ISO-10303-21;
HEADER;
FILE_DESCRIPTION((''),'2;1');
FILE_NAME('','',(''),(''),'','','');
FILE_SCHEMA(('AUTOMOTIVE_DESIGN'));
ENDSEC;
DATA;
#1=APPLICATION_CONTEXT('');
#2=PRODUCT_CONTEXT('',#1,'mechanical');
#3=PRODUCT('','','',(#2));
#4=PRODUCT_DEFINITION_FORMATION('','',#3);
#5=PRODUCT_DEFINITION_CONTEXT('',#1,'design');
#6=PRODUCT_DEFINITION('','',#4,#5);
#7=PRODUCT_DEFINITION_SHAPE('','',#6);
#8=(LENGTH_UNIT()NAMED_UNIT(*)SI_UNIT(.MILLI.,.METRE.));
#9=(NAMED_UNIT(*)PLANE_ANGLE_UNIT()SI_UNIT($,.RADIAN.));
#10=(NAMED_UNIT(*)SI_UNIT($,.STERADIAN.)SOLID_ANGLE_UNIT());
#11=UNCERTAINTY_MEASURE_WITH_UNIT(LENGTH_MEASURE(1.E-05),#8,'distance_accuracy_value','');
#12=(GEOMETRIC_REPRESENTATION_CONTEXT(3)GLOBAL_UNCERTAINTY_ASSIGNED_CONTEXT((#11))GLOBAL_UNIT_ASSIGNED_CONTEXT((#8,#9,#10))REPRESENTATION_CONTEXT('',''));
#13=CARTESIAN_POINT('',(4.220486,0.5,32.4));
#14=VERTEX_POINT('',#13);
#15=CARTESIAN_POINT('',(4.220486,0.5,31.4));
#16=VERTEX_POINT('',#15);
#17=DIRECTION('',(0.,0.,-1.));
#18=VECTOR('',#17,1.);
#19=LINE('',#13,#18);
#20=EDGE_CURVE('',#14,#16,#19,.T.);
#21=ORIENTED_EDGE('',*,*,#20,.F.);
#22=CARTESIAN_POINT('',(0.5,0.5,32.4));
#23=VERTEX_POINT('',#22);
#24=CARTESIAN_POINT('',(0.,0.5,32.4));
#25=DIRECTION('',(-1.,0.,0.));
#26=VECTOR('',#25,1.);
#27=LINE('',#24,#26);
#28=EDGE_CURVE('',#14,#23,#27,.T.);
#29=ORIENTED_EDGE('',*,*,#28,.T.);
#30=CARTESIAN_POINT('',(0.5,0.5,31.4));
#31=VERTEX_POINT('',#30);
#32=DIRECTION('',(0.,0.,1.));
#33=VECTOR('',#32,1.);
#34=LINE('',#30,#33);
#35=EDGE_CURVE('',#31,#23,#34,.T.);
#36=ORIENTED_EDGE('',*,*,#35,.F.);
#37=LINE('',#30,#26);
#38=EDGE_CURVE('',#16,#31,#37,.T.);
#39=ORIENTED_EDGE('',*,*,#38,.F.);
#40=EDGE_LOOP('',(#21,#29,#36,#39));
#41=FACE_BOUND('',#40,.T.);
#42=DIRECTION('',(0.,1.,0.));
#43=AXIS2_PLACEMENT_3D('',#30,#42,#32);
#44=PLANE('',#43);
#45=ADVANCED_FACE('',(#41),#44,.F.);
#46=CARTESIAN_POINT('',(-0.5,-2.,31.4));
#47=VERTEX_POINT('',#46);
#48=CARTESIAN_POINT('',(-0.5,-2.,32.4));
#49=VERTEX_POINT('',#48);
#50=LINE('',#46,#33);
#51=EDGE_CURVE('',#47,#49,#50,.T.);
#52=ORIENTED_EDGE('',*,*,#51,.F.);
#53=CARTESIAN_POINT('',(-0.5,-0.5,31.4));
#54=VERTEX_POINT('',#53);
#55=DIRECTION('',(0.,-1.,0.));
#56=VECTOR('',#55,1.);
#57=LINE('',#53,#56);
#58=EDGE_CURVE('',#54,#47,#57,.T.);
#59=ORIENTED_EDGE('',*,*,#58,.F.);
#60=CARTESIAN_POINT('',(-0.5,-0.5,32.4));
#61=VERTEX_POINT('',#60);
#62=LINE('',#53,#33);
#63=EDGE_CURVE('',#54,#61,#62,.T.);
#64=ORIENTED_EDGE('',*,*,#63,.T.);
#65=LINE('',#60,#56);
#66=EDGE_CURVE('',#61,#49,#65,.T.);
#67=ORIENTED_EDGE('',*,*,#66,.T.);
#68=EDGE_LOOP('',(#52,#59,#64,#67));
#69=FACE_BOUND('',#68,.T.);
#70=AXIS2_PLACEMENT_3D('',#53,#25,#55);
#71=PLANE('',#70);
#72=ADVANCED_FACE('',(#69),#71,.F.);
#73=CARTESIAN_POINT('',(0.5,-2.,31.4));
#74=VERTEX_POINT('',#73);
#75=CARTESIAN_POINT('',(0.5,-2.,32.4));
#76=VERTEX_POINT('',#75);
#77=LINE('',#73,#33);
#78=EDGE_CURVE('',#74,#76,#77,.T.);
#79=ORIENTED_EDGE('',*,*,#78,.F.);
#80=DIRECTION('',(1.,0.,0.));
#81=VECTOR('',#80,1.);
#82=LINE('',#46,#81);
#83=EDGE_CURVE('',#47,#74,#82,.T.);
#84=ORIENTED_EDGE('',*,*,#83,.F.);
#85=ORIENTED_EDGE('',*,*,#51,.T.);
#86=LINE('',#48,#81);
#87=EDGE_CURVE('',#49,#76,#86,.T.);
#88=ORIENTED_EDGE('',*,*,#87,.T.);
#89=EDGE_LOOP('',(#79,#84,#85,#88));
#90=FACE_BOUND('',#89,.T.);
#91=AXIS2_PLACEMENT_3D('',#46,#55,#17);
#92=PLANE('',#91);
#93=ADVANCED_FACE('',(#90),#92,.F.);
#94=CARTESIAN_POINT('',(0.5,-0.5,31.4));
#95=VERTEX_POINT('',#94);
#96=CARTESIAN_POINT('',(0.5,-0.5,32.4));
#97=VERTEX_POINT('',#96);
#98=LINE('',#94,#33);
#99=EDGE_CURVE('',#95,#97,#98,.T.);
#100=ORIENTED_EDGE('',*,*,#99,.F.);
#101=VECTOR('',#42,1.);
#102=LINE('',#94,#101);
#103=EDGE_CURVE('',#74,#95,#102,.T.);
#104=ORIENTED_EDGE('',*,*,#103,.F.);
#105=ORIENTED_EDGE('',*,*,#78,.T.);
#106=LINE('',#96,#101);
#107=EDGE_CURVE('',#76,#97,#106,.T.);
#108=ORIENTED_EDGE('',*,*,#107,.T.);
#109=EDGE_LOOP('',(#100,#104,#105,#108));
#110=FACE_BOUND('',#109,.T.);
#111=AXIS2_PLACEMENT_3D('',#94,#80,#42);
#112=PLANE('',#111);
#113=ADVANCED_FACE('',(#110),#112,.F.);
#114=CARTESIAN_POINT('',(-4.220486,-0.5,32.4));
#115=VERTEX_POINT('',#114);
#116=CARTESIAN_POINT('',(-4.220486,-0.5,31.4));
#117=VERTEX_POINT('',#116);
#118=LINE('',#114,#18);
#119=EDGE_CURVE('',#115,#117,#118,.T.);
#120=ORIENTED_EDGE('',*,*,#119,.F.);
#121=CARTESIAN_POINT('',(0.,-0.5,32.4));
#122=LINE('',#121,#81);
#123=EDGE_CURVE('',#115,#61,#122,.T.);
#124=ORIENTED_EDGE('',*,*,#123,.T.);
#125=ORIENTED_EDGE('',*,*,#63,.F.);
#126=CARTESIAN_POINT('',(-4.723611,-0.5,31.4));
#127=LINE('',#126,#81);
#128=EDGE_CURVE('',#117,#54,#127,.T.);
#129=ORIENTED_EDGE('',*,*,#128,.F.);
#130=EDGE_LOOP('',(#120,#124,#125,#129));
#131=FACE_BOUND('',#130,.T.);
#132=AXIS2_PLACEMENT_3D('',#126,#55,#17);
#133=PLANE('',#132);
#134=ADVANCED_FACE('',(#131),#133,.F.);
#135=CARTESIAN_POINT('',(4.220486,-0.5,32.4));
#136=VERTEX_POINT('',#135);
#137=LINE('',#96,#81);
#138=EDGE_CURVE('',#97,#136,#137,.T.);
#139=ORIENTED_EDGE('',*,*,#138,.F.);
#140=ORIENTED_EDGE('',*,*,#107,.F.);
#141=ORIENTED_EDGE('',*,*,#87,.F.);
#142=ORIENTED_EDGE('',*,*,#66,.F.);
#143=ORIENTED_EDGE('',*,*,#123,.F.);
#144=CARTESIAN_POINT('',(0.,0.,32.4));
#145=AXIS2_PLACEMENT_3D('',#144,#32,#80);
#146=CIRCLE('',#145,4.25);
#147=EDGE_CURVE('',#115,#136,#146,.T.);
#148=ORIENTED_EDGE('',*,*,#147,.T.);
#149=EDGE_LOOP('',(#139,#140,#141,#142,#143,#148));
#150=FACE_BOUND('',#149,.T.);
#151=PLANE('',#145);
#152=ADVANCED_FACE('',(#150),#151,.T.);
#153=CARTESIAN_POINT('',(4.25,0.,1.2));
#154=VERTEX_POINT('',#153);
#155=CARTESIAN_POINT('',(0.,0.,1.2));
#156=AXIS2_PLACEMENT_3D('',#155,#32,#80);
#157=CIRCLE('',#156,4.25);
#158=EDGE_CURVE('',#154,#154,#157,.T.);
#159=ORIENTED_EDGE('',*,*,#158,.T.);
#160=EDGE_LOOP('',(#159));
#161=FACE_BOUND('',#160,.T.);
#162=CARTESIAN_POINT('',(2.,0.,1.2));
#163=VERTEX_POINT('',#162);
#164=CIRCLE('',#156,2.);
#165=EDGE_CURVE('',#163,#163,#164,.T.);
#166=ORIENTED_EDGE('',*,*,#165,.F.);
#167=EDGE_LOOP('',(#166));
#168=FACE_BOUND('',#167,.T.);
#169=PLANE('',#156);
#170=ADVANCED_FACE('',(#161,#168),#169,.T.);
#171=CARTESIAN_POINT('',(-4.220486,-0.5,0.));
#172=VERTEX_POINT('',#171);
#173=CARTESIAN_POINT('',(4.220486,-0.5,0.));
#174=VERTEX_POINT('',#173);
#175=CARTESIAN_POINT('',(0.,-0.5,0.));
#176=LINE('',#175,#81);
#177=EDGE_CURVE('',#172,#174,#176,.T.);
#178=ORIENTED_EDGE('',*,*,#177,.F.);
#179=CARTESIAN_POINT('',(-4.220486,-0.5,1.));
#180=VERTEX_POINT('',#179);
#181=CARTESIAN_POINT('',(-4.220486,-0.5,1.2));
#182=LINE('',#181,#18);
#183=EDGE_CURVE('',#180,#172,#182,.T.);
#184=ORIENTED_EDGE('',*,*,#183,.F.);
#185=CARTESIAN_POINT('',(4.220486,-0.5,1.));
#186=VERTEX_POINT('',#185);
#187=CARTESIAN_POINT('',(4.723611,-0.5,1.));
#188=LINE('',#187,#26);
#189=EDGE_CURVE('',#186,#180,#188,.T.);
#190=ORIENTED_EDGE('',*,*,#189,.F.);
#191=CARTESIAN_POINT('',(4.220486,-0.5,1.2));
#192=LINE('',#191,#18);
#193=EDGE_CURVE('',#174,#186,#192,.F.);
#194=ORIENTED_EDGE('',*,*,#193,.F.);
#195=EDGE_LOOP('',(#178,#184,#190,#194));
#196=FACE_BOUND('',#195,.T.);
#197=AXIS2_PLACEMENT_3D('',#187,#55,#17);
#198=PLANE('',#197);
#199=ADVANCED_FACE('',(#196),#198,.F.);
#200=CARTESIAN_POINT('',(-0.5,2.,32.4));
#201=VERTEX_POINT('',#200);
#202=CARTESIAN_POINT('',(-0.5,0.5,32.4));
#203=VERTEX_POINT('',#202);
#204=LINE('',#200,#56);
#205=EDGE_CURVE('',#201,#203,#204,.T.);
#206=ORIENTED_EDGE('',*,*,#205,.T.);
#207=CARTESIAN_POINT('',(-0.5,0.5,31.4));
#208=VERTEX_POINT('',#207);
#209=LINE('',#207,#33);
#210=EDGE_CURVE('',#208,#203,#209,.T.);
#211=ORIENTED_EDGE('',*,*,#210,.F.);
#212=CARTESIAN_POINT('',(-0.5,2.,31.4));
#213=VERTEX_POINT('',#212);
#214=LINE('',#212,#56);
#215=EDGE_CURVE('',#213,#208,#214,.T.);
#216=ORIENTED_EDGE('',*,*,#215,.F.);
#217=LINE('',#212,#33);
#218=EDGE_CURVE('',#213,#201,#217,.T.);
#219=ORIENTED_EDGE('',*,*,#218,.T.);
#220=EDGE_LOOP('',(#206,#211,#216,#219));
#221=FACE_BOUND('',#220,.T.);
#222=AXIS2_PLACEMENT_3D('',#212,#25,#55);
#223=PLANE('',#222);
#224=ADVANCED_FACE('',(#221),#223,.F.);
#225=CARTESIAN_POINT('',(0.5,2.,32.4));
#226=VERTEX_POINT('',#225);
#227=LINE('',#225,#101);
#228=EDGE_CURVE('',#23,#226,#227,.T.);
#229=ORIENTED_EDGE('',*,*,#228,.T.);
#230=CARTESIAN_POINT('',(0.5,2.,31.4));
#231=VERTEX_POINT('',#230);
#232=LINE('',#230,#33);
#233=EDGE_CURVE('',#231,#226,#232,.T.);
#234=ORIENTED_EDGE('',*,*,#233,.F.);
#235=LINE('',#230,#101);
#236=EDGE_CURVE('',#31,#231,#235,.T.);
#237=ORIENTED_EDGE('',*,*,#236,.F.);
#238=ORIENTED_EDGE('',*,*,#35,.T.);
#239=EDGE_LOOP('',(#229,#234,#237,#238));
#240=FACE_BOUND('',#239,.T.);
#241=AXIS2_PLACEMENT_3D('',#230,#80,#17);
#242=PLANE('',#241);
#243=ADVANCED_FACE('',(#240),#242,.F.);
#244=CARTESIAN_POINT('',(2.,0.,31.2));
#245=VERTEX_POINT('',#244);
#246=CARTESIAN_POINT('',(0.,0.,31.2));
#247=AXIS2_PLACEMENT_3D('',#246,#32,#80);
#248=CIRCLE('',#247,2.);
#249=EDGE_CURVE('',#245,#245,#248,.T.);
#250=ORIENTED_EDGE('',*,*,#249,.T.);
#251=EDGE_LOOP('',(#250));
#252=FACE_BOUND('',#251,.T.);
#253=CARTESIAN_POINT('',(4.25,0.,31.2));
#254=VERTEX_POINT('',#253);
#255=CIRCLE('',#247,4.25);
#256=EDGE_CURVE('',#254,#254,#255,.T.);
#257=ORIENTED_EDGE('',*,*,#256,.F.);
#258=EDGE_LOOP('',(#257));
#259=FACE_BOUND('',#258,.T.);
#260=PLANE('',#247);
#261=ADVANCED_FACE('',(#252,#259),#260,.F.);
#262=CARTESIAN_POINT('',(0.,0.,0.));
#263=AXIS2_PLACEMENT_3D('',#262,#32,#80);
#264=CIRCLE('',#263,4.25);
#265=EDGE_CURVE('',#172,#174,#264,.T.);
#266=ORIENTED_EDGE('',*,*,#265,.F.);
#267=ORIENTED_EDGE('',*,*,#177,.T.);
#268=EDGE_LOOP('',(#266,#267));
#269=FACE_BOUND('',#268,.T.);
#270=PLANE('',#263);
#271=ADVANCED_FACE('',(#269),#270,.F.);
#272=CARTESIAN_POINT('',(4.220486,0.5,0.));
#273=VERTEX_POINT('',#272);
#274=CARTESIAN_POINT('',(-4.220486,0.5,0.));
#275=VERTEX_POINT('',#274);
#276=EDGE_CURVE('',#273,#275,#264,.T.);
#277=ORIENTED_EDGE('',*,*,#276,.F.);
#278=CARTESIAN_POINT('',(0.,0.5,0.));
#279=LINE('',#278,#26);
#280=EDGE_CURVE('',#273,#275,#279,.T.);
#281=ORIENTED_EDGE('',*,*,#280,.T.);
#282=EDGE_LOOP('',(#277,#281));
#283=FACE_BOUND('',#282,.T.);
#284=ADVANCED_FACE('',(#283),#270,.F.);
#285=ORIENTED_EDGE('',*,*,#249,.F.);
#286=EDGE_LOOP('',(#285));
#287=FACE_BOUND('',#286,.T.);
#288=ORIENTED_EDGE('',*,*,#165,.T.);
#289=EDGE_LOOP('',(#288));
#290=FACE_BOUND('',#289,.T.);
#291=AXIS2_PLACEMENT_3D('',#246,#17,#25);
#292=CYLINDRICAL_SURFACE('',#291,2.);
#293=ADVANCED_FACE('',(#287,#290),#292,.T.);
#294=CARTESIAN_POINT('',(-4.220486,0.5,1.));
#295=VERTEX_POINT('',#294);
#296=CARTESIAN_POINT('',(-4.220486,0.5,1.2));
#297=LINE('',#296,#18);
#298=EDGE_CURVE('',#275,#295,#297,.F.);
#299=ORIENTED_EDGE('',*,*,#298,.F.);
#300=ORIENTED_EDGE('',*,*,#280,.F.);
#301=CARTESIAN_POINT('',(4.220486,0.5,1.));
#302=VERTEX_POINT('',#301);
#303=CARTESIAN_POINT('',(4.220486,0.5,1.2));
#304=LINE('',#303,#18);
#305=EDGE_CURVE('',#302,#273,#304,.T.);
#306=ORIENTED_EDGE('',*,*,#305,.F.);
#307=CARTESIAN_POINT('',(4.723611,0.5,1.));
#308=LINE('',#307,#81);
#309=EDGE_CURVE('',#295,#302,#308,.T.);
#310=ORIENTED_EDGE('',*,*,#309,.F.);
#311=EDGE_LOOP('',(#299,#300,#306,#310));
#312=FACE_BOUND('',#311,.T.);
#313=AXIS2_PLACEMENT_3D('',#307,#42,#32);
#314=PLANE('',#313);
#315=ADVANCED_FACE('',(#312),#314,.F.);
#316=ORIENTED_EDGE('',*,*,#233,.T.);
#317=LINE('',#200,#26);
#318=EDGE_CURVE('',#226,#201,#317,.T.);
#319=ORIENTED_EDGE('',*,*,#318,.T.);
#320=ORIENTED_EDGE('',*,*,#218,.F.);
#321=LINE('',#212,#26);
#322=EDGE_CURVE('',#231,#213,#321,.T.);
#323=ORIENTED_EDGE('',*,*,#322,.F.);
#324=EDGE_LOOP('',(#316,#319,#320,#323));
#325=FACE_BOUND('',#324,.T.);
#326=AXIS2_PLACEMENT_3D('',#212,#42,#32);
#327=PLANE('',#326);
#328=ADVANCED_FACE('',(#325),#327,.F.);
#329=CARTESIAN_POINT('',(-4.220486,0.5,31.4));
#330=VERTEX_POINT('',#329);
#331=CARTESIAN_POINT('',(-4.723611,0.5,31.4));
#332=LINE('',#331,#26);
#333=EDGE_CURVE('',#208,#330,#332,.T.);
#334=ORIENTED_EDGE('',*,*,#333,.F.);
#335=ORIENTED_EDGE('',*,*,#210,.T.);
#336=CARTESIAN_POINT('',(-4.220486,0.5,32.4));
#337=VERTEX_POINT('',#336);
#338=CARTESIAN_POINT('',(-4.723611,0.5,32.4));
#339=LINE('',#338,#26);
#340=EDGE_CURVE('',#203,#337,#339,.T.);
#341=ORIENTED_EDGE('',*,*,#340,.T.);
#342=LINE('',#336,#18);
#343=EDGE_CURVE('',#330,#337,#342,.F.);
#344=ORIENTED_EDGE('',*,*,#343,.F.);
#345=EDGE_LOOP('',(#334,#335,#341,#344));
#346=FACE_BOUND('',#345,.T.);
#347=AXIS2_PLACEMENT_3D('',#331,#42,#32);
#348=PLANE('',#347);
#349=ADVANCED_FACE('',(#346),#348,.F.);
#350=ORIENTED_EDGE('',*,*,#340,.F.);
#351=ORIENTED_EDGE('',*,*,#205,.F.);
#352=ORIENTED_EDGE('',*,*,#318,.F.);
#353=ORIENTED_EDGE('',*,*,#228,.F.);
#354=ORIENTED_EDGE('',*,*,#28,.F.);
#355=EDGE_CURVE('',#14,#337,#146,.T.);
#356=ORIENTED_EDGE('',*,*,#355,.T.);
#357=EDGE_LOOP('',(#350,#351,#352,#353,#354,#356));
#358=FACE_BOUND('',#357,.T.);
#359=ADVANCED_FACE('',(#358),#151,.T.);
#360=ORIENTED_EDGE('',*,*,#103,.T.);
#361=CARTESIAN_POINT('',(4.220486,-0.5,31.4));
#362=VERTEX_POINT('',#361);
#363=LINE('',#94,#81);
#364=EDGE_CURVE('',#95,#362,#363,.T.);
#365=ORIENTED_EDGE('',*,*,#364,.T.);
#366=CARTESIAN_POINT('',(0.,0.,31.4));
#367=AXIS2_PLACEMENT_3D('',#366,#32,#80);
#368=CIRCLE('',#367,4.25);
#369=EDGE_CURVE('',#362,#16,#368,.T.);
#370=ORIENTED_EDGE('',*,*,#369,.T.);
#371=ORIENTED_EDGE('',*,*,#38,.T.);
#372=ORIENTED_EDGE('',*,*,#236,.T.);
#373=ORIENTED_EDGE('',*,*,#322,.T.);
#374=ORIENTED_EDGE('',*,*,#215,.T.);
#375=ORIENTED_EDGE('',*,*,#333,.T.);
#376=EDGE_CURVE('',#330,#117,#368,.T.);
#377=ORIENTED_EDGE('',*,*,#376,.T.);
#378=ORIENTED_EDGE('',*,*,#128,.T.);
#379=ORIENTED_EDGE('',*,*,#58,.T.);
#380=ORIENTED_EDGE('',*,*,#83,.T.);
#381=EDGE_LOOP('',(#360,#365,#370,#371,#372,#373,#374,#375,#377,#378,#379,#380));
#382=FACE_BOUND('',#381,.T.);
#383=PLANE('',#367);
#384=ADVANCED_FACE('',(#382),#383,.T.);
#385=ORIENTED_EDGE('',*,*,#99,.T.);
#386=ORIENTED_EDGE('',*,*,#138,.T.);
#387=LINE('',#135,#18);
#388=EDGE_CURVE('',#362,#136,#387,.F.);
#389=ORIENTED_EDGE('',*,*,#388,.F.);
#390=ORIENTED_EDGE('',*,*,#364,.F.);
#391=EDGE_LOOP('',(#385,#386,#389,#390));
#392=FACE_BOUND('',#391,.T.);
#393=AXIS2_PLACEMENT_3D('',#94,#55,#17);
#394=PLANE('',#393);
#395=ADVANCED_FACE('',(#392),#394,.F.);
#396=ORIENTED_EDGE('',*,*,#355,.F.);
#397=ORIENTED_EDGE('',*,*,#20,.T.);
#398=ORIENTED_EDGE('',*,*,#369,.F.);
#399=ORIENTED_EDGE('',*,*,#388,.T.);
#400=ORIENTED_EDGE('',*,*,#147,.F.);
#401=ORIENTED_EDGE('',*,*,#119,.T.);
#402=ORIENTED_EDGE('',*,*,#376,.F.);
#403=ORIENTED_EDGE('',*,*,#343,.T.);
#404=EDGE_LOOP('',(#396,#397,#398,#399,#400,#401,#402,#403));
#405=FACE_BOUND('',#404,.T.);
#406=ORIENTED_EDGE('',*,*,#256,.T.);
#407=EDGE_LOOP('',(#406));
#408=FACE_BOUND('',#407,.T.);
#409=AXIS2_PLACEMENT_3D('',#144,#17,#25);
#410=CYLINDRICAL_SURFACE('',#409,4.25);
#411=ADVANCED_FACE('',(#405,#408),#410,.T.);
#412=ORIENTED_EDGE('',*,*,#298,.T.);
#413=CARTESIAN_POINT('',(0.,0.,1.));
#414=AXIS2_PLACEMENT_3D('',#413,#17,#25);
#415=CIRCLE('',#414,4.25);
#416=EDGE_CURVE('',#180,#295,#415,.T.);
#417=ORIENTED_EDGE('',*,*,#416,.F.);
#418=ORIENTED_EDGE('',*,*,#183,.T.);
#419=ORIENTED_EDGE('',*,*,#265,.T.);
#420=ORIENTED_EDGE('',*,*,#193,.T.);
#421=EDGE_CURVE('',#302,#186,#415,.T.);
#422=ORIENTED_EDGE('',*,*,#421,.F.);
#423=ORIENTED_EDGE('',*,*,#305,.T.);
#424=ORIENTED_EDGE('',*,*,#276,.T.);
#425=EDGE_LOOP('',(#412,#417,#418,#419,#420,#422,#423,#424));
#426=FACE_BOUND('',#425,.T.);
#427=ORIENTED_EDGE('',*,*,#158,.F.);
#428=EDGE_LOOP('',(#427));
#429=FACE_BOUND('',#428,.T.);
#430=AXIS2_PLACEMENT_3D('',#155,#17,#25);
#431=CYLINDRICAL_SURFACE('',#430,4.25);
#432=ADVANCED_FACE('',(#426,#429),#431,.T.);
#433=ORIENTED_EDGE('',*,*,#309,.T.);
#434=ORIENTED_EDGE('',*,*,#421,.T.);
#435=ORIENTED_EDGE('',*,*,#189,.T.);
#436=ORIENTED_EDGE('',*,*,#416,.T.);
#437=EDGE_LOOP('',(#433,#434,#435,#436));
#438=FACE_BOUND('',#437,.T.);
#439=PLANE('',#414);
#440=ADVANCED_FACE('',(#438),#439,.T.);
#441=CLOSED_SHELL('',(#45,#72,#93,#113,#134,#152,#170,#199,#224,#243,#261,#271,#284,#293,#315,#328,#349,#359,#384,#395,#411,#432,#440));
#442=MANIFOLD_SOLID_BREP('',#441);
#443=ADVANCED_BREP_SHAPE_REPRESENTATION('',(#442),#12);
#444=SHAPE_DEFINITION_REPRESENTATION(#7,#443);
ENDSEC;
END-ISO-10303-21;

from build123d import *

# Parameters (mm, degrees)
SKETCH_1_R          = 4.25
EXTRUDE_1_DEPTH     = 1.2
SKETCH_2_R          = 2
EXTRUDE_2_DEPTH     = 30
SKETCH_3_R          = 4.25
EXTRUDE_3_DEPTH     = 1.2
CUT_EXTRUDE_1_DEPTH = 1
CUT_EXTRUDE_2_DEPTH = 1


with BuildPart() as part:
    # 草图1 → 凸台-拉伸1 (new body)
    with BuildSketch(Plane.XY):
        Circle(SKETCH_1_R)
    extrude(amount=EXTRUDE_1_DEPTH)

    # 草图2 → 凸台-拉伸2 (add)
    with BuildSketch(Plane.XY.offset(1.2)):
        Circle(SKETCH_2_R)
    extrude(amount=EXTRUDE_2_DEPTH)

    # 草图3 → 凸台-拉伸3 (add)
    with BuildSketch(Plane.XY.offset(31.2)):
        Circle(SKETCH_3_R)
    extrude(amount=EXTRUDE_3_DEPTH)

    # 草图4 → 切除-拉伸1 (cut)
    with BuildSketch(Plane.XY.offset(32.4)):
        with BuildLine():
            Line((-0.5, 2), (-0.5, 0.5))
            Line((-0.5, 0.5), (-4.723610907, 0.5))
            ThreePointArc((-4.723610907, 0.5), (-4.75, 0), (-4.723610907, -0.5))
            Line((-4.723610907, -0.5), (-0.5, -0.5))
            Line((-0.5, -0.5), (-0.5, -2))
            Line((-0.5, -2), (0.5, -2))
            Line((0.5, -2), (0.5, -0.5))
            Line((0.5, -0.5), (4.723610907, -0.5))
            ThreePointArc((4.723610907, -0.5), (4.75, 0), (4.723610907, 0.5))
            Line((4.723610907, 0.5), (0.5, 0.5))
            Line((0.5, 0.5), (0.5, 2))
            Line((0.5, 2), (-0.5, 2))
        make_face()
    extrude(amount=-CUT_EXTRUDE_1_DEPTH, mode=Mode.SUBTRACT)

    # 草图5 → 切除-拉伸2 (cut)
    with BuildSketch(Plane(origin=(0, 0, 0), x_dir=(-1, 0, 0), z_dir=(0, 0, -1))):
        with BuildLine():
            Line((-4.723610907, -0.5), (4.723610907, -0.5))
            ThreePointArc((4.723610907, -0.5), (4.75, 0), (4.723610907, 0.5))
            Line((4.723610907, 0.5), (-4.723610907, 0.5))
            ThreePointArc((-4.723610907, 0.5), (-4.75, 0), (-4.723610907, -0.5))
        make_face()
    extrude(amount=-CUT_EXTRUDE_2_DEPTH, mode=Mode.SUBTRACT)


solid = part.part
